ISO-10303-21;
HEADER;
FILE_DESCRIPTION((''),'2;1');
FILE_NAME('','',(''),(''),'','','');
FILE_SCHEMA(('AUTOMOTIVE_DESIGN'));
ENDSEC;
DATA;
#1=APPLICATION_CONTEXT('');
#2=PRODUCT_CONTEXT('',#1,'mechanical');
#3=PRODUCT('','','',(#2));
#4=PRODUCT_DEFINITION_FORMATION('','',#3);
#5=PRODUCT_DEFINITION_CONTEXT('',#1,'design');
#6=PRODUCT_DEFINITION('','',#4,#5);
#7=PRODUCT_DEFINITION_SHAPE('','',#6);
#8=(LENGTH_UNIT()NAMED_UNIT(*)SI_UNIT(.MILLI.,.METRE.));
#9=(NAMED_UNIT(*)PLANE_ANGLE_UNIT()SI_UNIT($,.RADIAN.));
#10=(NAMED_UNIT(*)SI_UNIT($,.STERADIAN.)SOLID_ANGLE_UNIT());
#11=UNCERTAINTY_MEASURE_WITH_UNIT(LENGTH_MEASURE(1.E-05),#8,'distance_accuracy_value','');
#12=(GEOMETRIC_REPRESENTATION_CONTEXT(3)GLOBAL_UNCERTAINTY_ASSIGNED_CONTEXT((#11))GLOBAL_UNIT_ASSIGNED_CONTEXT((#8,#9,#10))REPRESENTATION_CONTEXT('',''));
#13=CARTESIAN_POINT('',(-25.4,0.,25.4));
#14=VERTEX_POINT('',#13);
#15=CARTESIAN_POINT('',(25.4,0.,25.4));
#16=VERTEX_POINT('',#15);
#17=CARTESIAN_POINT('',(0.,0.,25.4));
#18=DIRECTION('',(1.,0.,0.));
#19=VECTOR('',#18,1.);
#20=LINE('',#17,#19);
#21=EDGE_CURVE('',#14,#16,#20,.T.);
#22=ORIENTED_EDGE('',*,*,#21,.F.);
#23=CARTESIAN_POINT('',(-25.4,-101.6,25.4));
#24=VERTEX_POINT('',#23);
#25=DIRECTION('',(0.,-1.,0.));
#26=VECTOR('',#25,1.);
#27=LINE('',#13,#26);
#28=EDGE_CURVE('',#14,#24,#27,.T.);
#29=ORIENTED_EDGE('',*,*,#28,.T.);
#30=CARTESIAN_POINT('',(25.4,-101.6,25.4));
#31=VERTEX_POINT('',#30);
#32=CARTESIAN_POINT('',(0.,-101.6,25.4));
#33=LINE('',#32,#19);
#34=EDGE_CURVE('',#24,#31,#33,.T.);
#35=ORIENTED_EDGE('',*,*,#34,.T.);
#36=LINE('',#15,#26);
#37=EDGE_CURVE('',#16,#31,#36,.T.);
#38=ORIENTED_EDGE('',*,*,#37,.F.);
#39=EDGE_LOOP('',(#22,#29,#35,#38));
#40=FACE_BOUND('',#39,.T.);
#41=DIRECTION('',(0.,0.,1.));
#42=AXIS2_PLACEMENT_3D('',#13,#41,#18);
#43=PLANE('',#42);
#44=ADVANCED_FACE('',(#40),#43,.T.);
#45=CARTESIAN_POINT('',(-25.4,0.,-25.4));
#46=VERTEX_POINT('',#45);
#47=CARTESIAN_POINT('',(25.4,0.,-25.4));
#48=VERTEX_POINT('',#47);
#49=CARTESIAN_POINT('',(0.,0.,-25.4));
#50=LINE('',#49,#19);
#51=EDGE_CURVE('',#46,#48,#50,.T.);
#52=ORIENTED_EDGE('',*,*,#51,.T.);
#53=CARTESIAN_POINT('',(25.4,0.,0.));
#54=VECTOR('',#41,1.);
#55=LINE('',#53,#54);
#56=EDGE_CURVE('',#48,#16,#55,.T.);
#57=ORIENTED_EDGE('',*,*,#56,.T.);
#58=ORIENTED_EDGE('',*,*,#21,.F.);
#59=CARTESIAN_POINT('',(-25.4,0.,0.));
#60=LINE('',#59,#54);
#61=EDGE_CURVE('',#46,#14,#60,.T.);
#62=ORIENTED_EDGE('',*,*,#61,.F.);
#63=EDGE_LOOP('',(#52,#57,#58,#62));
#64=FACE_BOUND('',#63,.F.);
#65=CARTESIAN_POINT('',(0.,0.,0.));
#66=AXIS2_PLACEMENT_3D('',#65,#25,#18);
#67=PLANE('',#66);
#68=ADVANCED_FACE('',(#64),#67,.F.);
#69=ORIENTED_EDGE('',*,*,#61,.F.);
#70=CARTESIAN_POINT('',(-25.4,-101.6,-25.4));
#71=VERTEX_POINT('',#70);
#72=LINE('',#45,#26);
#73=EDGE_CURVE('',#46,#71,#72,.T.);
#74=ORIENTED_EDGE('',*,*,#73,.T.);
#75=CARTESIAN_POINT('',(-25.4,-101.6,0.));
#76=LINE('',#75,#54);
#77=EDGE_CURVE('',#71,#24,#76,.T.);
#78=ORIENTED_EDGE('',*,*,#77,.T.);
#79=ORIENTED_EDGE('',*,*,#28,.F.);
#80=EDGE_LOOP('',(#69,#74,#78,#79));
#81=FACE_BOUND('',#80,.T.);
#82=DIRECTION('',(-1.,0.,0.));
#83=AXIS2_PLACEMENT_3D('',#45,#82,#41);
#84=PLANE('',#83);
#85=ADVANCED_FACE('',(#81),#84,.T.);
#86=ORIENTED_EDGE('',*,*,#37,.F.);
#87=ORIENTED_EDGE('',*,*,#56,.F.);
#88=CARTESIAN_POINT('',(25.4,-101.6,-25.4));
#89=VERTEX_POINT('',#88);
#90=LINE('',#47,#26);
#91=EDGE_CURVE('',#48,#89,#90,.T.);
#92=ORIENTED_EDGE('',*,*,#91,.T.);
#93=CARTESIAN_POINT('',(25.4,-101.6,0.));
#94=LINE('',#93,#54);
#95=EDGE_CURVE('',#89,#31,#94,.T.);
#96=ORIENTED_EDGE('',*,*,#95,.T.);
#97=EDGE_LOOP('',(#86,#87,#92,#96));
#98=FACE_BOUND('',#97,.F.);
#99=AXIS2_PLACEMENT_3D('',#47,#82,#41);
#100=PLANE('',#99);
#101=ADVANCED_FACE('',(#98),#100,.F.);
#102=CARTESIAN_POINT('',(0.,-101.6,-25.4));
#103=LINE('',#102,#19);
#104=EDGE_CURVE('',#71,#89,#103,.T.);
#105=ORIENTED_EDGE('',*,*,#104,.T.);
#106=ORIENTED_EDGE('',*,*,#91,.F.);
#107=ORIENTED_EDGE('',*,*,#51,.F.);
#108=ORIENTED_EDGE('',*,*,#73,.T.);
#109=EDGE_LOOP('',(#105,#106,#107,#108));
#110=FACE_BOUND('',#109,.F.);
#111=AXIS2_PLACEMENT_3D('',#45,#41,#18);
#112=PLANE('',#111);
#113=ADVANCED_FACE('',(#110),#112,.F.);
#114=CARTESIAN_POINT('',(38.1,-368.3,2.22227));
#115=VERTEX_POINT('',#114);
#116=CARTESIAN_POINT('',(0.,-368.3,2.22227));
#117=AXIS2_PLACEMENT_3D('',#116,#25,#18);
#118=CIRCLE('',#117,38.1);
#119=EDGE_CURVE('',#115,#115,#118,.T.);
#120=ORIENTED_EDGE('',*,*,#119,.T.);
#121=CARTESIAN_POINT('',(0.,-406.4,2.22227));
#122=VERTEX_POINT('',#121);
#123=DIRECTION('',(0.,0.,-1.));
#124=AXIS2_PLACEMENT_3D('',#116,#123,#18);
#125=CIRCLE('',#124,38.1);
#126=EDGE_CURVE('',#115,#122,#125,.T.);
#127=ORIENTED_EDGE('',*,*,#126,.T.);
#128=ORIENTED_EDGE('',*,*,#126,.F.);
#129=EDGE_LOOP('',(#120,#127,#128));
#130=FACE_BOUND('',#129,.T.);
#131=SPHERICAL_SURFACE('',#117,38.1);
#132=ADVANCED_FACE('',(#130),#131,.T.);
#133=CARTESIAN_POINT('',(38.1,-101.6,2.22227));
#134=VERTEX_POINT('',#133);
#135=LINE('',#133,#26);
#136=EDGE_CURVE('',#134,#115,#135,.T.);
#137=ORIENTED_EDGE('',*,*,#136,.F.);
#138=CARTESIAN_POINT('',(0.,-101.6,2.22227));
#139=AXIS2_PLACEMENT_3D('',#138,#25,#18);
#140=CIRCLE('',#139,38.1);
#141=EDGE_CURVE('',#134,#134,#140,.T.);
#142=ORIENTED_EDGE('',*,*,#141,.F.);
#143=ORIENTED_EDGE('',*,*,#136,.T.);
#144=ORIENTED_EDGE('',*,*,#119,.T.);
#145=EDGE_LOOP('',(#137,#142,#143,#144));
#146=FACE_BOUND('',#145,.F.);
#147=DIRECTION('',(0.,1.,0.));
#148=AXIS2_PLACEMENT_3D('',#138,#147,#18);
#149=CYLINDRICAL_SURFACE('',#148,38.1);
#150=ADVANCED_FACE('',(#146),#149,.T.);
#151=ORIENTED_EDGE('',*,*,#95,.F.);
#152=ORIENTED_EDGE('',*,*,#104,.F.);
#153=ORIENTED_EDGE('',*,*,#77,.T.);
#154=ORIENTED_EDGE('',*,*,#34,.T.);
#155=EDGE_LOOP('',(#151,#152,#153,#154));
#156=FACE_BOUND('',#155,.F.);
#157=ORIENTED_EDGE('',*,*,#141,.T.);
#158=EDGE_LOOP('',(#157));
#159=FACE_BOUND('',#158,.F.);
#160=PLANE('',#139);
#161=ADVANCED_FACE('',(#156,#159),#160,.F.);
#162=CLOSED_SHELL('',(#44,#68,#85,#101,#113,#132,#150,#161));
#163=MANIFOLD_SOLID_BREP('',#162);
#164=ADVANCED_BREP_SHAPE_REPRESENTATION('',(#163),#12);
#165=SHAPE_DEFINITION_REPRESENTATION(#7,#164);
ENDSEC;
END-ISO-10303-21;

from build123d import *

# Parameters (mm, degrees)
F0_W     = 50.8
F0_H     = 50.8
F1_DEPTH = 101.6
F2_R     = 38.1
F3_DEPTH = 304.8
F4_R     = 38.1


with BuildPart() as f1:
    # F0 (on Front) → F1 (new body)
    with BuildSketch(Plane.XZ):
        Rectangle(F0_W, F0_H)
    extrude(amount=F1_DEPTH)

    # F2 (on face) → F3 (join)
    with BuildSketch(Plane.XZ.offset(101.6)):
        with Locations((0, 2.22227)):
            Circle(F2_R)
    extrude(amount=F3_DEPTH)

    # F4
    f4_edges = [f1.edges().sort_by_distance(p)[0] for p in [
        (-38.1, -406.4, 2.22227),
    ]]
    fillet(f4_edges, radius=F4_R)


solid = f1.part
